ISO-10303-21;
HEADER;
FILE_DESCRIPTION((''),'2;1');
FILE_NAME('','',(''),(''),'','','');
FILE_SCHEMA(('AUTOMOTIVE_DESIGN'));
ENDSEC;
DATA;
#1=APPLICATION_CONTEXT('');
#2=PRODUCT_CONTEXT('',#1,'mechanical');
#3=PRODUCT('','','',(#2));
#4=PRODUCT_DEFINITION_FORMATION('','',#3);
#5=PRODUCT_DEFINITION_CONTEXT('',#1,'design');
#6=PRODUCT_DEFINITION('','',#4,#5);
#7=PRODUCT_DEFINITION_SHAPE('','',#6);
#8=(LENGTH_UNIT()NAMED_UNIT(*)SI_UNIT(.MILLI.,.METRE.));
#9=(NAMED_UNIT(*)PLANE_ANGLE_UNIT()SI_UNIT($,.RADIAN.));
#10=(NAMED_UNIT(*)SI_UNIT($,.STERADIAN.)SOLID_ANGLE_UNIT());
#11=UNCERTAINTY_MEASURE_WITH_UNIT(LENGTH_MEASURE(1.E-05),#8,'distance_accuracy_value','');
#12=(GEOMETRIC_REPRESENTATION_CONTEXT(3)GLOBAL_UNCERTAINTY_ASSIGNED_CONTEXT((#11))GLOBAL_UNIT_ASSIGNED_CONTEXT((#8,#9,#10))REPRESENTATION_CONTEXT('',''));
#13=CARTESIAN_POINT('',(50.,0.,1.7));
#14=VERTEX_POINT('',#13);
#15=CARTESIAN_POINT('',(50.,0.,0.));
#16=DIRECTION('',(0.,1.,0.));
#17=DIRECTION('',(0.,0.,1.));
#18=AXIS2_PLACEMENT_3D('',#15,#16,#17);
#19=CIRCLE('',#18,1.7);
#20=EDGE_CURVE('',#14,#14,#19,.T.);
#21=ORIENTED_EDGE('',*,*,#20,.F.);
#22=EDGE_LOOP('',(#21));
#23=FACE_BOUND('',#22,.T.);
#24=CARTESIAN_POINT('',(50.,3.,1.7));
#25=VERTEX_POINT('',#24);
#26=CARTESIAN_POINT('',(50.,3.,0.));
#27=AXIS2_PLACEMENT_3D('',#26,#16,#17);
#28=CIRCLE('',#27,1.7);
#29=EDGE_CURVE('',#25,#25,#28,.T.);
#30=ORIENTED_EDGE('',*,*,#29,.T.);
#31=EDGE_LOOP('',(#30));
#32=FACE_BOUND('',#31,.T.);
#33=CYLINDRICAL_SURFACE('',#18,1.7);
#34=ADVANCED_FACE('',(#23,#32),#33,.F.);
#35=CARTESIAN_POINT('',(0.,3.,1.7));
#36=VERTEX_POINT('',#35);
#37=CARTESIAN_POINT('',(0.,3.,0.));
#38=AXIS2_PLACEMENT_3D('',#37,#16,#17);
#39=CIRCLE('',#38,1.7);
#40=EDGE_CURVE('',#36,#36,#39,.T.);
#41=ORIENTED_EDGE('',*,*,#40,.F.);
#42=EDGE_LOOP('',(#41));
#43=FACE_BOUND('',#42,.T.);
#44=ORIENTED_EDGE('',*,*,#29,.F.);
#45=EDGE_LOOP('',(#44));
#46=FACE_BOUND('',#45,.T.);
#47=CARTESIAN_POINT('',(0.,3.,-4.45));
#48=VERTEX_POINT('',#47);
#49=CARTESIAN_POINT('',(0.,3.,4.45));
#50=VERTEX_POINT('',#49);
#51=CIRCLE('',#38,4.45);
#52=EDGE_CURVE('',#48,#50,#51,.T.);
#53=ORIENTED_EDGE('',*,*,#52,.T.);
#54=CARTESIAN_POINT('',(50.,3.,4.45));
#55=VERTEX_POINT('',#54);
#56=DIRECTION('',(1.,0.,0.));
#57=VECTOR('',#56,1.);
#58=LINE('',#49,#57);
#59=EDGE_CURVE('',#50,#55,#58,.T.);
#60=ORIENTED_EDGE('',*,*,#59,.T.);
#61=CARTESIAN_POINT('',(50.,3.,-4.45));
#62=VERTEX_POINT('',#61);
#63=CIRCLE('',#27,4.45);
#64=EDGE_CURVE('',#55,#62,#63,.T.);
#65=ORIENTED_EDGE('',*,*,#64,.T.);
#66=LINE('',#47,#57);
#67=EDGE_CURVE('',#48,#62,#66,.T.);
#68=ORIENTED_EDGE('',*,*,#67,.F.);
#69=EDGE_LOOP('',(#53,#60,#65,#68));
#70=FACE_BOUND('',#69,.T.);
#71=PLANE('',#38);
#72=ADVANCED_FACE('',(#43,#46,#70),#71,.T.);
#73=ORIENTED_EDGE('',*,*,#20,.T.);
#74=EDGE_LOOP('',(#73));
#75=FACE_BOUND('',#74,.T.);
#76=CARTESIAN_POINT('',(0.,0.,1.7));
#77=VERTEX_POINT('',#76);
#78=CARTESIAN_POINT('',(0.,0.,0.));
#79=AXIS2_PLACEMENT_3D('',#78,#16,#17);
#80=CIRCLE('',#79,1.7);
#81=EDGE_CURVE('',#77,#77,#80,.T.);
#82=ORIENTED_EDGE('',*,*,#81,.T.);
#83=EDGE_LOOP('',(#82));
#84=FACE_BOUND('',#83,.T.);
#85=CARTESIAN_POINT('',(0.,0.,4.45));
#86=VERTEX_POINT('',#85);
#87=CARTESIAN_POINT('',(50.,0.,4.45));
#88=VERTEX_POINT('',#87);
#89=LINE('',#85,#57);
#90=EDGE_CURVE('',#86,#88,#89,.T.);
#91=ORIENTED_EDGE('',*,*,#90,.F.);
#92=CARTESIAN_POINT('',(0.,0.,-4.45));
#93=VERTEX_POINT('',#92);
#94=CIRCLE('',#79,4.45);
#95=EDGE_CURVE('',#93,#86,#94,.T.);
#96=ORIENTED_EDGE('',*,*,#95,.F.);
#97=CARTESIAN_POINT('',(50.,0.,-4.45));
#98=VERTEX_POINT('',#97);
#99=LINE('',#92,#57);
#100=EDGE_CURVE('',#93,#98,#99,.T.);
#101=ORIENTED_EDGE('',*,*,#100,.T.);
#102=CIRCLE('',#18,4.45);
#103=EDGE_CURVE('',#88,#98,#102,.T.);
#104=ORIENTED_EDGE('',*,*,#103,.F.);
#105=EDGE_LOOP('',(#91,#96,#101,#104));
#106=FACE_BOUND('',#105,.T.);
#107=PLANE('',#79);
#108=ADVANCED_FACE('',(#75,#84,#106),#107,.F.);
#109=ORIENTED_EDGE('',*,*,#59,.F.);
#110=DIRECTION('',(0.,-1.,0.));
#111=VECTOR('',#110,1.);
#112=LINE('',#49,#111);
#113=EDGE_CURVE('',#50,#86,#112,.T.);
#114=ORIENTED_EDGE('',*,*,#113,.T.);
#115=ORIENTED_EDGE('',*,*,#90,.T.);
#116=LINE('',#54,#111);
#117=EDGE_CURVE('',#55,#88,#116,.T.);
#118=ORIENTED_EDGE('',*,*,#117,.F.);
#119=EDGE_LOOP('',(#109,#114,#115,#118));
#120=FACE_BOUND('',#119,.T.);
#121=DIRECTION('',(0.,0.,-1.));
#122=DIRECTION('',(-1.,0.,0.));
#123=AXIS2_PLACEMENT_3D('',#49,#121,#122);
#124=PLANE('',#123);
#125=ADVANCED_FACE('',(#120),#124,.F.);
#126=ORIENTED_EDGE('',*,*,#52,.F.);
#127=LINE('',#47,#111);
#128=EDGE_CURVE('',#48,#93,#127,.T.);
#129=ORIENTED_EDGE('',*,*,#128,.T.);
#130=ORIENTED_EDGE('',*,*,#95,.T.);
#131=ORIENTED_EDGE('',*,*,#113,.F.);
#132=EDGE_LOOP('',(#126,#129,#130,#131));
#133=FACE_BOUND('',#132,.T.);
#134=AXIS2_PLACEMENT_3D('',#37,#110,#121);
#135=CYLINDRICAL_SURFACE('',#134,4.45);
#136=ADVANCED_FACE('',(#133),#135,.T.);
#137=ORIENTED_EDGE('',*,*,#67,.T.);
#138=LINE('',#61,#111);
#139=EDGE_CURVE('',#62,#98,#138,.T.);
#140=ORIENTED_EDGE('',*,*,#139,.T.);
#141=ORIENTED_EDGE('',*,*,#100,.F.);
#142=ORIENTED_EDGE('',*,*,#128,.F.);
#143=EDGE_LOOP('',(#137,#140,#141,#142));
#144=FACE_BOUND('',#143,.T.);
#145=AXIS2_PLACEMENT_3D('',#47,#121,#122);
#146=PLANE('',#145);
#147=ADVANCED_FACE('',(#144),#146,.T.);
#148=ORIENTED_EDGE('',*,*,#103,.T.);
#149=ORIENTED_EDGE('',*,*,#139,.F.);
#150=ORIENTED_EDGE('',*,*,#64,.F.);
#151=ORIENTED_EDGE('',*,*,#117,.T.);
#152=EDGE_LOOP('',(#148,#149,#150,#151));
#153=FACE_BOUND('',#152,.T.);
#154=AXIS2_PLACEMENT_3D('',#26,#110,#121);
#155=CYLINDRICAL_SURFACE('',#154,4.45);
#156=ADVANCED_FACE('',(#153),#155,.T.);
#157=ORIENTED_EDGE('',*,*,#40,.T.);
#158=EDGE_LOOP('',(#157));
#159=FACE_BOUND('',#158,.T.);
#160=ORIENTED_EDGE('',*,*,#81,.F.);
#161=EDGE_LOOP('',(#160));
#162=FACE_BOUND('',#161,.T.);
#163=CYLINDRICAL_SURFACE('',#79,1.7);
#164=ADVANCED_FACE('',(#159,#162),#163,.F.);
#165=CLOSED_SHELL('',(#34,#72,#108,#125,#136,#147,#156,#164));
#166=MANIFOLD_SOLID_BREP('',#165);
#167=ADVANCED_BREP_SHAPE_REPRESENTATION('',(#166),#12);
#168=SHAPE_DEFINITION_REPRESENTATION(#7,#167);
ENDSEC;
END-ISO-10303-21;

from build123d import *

# Parameters (mm, degrees)
SKETCH1_R           = 1.45
BOSS_EXTRUDE1_DEPTH = 3
SKETCH2_R           = 1.7
CUT_EXTRUDE1_DEPTH  = 55.713846511


with BuildPart() as part:
    # Sketch1 → Boss-Extrude1 (new body)
    with BuildSketch(Plane(origin=(0, 0, 0), x_dir=(1, 0, 0), z_dir=(0, 1, 0))):
        with BuildLine():
            ThreePointArc((0, 4.45), (-4.45, 0), (0, -4.45))
            Line((0, -4.45), (50, -4.45))
            ThreePointArc((50, -4.45), (54.45, 0), (50, 4.45))
            Line((50, 4.45), (0, 4.45))
        make_face()
        with Locations(Location((0, 0, 0), (0, 0, 270))):
            Circle(SKETCH1_R, mode=Mode.SUBTRACT)
        with Locations(Location((50, 0, 0), (0, 0, 270))):
            Circle(SKETCH1_R, mode=Mode.SUBTRACT)
    extrude(amount=BOSS_EXTRUDE1_DEPTH)

    # Sketch2 → Cut-Extrude1 (cut, through all)
    with BuildSketch(Plane(origin=(0, 3, 0), x_dir=(1, 0, 0), z_dir=(0, 1, 0))):
        with Locations(Location((0, 0, 0), (0, 0, 270))):
            Circle(SKETCH2_R)
        with Locations(Location((50, 0, 0), (0, 0, 270))):
            Circle(SKETCH2_R)
    extrude(amount=-CUT_EXTRUDE1_DEPTH, mode=Mode.SUBTRACT)


solid = part.part
